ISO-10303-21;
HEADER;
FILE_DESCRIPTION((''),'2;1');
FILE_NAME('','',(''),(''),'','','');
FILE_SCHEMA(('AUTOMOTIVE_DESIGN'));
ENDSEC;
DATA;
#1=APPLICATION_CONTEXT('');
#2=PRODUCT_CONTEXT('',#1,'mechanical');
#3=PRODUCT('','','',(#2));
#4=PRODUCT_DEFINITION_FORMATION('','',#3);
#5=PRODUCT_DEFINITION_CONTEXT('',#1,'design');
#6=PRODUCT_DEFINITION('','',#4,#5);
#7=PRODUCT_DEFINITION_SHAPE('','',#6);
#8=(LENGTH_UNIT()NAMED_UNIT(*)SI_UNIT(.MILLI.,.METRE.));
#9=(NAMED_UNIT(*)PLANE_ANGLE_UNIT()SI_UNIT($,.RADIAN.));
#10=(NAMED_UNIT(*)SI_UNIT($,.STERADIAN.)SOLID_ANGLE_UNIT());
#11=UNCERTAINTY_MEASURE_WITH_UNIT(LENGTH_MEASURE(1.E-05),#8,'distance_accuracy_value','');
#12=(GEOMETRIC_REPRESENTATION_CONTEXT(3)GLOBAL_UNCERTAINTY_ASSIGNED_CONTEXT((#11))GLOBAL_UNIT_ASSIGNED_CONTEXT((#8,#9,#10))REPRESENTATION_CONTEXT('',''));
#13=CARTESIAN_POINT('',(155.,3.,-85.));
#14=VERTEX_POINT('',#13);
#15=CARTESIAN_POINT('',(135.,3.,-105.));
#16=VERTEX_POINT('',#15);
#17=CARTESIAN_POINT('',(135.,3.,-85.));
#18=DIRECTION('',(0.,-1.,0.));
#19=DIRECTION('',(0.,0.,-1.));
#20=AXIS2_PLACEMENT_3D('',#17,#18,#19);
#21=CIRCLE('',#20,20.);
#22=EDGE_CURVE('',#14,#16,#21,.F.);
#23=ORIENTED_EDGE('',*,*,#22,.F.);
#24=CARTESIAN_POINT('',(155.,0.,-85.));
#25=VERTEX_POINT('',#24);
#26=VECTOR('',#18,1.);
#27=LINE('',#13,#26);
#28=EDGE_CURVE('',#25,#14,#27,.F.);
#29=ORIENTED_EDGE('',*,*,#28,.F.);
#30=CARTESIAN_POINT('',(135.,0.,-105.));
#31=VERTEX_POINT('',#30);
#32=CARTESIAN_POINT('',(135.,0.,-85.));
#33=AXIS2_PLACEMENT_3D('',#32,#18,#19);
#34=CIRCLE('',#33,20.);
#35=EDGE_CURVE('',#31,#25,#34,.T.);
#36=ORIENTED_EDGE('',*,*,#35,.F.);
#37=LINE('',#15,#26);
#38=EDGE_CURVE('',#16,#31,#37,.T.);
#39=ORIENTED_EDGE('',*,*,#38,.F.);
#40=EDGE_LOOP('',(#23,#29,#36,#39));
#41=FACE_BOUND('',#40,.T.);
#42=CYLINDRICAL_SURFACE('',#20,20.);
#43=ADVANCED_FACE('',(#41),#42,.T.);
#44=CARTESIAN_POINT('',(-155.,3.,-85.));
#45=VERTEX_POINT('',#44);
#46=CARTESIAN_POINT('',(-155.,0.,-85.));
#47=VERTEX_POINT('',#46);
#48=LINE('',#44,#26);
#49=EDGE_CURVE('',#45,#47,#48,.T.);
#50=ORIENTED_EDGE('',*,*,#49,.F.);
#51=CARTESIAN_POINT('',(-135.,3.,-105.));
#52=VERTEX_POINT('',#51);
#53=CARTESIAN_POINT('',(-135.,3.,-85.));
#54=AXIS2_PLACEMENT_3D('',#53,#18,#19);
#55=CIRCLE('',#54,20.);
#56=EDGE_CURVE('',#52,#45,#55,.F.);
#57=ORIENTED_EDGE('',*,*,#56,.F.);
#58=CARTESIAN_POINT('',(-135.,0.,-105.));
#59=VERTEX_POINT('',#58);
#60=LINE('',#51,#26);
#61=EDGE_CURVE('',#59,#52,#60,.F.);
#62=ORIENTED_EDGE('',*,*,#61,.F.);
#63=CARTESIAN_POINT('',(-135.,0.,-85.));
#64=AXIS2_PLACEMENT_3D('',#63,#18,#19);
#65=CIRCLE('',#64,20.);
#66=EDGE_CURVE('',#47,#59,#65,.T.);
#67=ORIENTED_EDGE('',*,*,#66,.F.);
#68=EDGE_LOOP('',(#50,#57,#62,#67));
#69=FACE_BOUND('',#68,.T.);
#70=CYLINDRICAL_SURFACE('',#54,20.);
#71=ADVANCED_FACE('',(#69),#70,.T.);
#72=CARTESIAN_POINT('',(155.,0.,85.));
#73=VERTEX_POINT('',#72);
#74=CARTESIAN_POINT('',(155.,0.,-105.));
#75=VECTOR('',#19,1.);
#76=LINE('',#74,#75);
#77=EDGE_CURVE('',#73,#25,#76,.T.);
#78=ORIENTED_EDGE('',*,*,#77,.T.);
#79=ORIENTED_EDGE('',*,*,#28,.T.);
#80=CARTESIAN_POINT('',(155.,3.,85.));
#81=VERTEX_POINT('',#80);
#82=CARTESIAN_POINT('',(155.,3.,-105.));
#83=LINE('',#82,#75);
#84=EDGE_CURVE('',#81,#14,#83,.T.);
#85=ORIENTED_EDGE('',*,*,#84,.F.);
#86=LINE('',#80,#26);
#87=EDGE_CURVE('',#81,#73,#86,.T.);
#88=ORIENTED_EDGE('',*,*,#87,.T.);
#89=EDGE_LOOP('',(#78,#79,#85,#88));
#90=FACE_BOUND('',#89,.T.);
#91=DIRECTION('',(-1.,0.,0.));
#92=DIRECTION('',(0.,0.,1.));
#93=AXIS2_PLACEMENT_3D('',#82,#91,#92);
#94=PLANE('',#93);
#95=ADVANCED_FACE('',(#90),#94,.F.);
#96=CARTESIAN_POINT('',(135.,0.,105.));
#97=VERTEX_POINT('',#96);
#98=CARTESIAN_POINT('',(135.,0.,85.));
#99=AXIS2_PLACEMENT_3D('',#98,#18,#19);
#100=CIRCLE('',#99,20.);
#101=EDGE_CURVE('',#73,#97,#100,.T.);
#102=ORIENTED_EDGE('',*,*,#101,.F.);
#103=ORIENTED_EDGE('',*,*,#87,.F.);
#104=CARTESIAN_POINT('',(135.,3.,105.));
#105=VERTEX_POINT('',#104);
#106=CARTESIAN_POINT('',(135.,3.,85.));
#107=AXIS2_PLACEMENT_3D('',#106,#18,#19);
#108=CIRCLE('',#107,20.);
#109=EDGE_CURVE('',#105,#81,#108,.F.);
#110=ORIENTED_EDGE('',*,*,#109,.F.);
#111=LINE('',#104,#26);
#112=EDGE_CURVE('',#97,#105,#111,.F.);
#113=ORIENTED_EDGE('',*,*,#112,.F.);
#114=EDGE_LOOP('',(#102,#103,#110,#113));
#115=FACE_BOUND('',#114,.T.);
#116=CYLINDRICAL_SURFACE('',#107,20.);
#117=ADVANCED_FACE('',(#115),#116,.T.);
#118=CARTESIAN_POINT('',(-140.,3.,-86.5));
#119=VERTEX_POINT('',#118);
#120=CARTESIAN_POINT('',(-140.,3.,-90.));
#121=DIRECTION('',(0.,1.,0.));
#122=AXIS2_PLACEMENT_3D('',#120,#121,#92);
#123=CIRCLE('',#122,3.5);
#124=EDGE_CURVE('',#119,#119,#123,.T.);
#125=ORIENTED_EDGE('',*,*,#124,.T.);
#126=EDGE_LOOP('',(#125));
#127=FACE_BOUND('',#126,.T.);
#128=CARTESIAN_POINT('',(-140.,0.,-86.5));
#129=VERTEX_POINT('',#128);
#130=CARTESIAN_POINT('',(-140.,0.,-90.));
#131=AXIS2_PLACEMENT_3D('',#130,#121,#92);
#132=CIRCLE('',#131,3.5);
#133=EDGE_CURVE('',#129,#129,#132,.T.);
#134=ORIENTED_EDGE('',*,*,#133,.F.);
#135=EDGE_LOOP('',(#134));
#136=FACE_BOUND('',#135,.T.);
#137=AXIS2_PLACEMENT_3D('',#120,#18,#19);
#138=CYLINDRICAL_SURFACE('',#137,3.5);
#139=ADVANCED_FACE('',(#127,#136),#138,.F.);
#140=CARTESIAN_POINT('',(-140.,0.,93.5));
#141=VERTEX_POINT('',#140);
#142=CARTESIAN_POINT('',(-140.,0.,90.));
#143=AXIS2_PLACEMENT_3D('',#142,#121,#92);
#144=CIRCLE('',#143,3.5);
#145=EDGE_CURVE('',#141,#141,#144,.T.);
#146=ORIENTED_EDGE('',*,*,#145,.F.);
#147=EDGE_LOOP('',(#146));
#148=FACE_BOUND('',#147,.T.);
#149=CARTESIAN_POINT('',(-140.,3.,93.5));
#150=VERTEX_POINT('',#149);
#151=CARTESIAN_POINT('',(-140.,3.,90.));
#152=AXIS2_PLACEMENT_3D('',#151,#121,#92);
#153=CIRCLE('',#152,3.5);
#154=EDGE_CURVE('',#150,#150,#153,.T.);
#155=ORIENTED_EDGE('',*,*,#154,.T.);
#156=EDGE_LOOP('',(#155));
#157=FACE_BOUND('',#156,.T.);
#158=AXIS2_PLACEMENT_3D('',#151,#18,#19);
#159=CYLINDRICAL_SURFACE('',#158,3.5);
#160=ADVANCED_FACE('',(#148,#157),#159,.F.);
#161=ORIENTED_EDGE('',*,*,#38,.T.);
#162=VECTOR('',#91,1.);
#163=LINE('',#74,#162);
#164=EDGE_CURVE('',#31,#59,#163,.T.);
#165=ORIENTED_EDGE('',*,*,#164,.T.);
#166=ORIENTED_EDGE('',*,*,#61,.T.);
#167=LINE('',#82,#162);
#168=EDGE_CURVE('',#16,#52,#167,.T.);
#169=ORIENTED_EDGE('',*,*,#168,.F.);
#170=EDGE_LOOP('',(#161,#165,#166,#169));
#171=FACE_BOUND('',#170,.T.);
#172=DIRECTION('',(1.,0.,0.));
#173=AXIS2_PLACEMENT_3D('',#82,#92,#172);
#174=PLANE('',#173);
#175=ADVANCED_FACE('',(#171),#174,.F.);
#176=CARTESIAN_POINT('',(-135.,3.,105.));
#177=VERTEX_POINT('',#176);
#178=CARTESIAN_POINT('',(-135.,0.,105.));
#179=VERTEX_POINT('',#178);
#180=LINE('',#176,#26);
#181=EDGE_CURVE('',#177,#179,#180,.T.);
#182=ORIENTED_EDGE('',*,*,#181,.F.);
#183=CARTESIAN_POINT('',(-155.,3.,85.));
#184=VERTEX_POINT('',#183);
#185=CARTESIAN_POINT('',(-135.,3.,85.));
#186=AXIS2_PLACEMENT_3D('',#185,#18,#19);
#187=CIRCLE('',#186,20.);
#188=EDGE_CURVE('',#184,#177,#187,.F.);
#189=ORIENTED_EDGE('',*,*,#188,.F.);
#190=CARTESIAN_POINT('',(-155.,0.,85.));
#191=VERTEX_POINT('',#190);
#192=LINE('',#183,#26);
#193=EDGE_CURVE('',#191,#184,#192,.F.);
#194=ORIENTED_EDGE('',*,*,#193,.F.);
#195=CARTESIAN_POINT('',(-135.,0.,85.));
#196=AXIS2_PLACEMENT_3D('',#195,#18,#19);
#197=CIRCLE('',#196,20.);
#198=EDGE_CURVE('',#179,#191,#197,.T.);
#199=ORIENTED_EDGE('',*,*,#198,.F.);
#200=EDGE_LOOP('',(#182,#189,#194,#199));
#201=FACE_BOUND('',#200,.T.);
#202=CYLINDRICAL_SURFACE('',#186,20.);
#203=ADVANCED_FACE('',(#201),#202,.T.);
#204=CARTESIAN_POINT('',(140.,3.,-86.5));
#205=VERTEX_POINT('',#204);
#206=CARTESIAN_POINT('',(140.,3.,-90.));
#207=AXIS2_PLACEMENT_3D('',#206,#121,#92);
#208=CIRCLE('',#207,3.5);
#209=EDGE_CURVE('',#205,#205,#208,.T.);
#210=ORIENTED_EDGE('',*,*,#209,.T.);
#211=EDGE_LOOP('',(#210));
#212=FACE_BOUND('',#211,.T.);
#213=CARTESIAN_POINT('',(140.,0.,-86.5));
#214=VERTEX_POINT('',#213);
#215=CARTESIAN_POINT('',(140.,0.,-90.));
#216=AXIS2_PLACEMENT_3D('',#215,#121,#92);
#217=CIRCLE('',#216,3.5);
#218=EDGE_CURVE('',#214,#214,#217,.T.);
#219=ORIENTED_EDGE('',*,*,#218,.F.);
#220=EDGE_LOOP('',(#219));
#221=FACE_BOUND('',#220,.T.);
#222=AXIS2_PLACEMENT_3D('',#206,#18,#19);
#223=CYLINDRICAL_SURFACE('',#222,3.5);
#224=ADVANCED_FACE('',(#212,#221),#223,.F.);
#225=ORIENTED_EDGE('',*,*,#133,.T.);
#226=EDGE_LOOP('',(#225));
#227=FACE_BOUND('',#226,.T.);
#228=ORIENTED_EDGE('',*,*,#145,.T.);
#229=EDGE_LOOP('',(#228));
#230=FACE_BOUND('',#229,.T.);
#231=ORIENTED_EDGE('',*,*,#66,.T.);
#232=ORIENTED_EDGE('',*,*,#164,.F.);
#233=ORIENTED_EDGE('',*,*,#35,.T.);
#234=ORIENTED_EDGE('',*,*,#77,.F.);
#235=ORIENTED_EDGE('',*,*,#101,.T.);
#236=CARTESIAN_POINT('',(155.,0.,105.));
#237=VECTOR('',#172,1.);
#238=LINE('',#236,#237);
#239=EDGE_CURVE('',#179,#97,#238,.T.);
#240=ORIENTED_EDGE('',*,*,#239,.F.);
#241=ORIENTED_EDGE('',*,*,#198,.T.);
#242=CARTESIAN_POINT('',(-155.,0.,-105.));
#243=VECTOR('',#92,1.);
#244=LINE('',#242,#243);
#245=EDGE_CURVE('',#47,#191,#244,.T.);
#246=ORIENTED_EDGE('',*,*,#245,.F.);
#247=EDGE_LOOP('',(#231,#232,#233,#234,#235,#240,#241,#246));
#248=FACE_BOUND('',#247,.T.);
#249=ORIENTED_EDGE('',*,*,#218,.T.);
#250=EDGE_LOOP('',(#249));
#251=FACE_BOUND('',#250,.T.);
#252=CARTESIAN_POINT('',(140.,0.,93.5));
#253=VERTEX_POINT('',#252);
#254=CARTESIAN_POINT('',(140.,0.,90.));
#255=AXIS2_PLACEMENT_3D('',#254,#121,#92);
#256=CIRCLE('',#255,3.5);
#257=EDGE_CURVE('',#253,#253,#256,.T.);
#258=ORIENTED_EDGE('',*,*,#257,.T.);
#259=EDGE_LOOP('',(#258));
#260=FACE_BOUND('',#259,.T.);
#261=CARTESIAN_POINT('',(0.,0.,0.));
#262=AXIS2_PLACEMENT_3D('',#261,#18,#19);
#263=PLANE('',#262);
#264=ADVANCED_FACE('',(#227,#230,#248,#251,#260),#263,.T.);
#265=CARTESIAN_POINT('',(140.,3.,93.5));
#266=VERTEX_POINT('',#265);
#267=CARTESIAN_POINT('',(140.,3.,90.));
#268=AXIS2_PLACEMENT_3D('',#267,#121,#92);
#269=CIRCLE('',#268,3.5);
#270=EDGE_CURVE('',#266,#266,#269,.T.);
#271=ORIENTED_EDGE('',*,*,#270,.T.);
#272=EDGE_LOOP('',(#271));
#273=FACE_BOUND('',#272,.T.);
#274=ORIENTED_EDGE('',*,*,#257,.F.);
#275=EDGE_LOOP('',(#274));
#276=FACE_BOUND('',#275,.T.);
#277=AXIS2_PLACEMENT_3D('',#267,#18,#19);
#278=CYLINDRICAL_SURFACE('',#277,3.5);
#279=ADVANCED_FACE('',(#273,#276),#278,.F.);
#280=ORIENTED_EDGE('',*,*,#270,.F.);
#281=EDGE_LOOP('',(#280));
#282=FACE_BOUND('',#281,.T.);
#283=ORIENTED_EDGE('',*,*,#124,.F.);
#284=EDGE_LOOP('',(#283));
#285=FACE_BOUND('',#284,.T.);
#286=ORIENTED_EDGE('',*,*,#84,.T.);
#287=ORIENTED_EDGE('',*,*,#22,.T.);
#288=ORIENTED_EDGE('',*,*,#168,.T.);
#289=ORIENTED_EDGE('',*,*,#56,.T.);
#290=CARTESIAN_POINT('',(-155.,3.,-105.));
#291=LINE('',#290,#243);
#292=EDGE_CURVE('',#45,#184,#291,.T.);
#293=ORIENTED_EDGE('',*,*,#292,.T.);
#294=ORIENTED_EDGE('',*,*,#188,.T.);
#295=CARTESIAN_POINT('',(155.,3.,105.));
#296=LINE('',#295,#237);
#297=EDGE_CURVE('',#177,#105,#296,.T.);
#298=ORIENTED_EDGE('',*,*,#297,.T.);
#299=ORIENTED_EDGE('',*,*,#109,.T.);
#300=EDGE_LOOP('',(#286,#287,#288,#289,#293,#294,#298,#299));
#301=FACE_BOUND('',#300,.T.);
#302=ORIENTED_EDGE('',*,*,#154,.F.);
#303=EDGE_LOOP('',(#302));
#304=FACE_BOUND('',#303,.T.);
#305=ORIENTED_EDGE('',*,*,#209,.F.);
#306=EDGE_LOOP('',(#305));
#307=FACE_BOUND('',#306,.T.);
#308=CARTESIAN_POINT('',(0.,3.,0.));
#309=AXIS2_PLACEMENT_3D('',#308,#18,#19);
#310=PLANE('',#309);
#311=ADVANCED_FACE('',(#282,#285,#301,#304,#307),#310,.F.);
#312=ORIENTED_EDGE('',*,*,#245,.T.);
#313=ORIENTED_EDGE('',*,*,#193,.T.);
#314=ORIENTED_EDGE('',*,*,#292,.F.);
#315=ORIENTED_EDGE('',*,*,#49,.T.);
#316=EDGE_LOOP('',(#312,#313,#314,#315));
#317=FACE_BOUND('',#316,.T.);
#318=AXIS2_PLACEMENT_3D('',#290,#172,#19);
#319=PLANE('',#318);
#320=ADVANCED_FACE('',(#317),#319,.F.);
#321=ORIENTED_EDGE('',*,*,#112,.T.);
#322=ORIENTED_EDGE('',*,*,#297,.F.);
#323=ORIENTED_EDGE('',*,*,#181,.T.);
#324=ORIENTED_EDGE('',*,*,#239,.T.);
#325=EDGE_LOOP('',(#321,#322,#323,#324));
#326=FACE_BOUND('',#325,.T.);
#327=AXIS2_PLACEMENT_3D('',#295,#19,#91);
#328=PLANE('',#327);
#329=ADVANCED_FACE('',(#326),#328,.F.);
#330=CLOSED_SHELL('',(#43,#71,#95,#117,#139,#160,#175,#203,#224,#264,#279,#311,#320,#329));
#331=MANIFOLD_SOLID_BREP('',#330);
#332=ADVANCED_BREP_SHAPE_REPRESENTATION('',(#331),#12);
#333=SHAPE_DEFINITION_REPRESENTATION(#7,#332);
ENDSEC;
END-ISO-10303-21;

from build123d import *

# Parameters (mm, degrees)
SKETCH1_W           = 310
SKETCH1_H           = 210
SKETCH1_R           = 3.5
BOSS_EXTRUDE1_DEPTH = 3
FILLET1_R           = 20


with BuildPart() as part:
    # Sketch1 → Boss-Extrude1 (new body)
    with BuildSketch(Plane(origin=(0, 0, 0), x_dir=(1, 0, 0), z_dir=(0, 1, 0))):
        Rectangle(SKETCH1_W, SKETCH1_H)
        with Locations((-140, 90)):
            Circle(SKETCH1_R, mode=Mode.SUBTRACT)
        with Locations((140, 90)):
            Circle(SKETCH1_R, mode=Mode.SUBTRACT)
        with Locations((140, -90)):
            Circle(SKETCH1_R, mode=Mode.SUBTRACT)
        with Locations((-140, -90)):
            Circle(SKETCH1_R, mode=Mode.SUBTRACT)
    extrude(amount=BOSS_EXTRUDE1_DEPTH)

    # Fillet1
    fillet1_edges = [part.edges().sort_by_distance(p)[0] for p in [
        (-155, 1.5, -105),
        (155, 1.5, -105),
        (155, 1.5, 105),
        (-155, 1.5, 105),
    ]]
    fillet(fillet1_edges, radius=FILLET1_R)


solid = part.part
